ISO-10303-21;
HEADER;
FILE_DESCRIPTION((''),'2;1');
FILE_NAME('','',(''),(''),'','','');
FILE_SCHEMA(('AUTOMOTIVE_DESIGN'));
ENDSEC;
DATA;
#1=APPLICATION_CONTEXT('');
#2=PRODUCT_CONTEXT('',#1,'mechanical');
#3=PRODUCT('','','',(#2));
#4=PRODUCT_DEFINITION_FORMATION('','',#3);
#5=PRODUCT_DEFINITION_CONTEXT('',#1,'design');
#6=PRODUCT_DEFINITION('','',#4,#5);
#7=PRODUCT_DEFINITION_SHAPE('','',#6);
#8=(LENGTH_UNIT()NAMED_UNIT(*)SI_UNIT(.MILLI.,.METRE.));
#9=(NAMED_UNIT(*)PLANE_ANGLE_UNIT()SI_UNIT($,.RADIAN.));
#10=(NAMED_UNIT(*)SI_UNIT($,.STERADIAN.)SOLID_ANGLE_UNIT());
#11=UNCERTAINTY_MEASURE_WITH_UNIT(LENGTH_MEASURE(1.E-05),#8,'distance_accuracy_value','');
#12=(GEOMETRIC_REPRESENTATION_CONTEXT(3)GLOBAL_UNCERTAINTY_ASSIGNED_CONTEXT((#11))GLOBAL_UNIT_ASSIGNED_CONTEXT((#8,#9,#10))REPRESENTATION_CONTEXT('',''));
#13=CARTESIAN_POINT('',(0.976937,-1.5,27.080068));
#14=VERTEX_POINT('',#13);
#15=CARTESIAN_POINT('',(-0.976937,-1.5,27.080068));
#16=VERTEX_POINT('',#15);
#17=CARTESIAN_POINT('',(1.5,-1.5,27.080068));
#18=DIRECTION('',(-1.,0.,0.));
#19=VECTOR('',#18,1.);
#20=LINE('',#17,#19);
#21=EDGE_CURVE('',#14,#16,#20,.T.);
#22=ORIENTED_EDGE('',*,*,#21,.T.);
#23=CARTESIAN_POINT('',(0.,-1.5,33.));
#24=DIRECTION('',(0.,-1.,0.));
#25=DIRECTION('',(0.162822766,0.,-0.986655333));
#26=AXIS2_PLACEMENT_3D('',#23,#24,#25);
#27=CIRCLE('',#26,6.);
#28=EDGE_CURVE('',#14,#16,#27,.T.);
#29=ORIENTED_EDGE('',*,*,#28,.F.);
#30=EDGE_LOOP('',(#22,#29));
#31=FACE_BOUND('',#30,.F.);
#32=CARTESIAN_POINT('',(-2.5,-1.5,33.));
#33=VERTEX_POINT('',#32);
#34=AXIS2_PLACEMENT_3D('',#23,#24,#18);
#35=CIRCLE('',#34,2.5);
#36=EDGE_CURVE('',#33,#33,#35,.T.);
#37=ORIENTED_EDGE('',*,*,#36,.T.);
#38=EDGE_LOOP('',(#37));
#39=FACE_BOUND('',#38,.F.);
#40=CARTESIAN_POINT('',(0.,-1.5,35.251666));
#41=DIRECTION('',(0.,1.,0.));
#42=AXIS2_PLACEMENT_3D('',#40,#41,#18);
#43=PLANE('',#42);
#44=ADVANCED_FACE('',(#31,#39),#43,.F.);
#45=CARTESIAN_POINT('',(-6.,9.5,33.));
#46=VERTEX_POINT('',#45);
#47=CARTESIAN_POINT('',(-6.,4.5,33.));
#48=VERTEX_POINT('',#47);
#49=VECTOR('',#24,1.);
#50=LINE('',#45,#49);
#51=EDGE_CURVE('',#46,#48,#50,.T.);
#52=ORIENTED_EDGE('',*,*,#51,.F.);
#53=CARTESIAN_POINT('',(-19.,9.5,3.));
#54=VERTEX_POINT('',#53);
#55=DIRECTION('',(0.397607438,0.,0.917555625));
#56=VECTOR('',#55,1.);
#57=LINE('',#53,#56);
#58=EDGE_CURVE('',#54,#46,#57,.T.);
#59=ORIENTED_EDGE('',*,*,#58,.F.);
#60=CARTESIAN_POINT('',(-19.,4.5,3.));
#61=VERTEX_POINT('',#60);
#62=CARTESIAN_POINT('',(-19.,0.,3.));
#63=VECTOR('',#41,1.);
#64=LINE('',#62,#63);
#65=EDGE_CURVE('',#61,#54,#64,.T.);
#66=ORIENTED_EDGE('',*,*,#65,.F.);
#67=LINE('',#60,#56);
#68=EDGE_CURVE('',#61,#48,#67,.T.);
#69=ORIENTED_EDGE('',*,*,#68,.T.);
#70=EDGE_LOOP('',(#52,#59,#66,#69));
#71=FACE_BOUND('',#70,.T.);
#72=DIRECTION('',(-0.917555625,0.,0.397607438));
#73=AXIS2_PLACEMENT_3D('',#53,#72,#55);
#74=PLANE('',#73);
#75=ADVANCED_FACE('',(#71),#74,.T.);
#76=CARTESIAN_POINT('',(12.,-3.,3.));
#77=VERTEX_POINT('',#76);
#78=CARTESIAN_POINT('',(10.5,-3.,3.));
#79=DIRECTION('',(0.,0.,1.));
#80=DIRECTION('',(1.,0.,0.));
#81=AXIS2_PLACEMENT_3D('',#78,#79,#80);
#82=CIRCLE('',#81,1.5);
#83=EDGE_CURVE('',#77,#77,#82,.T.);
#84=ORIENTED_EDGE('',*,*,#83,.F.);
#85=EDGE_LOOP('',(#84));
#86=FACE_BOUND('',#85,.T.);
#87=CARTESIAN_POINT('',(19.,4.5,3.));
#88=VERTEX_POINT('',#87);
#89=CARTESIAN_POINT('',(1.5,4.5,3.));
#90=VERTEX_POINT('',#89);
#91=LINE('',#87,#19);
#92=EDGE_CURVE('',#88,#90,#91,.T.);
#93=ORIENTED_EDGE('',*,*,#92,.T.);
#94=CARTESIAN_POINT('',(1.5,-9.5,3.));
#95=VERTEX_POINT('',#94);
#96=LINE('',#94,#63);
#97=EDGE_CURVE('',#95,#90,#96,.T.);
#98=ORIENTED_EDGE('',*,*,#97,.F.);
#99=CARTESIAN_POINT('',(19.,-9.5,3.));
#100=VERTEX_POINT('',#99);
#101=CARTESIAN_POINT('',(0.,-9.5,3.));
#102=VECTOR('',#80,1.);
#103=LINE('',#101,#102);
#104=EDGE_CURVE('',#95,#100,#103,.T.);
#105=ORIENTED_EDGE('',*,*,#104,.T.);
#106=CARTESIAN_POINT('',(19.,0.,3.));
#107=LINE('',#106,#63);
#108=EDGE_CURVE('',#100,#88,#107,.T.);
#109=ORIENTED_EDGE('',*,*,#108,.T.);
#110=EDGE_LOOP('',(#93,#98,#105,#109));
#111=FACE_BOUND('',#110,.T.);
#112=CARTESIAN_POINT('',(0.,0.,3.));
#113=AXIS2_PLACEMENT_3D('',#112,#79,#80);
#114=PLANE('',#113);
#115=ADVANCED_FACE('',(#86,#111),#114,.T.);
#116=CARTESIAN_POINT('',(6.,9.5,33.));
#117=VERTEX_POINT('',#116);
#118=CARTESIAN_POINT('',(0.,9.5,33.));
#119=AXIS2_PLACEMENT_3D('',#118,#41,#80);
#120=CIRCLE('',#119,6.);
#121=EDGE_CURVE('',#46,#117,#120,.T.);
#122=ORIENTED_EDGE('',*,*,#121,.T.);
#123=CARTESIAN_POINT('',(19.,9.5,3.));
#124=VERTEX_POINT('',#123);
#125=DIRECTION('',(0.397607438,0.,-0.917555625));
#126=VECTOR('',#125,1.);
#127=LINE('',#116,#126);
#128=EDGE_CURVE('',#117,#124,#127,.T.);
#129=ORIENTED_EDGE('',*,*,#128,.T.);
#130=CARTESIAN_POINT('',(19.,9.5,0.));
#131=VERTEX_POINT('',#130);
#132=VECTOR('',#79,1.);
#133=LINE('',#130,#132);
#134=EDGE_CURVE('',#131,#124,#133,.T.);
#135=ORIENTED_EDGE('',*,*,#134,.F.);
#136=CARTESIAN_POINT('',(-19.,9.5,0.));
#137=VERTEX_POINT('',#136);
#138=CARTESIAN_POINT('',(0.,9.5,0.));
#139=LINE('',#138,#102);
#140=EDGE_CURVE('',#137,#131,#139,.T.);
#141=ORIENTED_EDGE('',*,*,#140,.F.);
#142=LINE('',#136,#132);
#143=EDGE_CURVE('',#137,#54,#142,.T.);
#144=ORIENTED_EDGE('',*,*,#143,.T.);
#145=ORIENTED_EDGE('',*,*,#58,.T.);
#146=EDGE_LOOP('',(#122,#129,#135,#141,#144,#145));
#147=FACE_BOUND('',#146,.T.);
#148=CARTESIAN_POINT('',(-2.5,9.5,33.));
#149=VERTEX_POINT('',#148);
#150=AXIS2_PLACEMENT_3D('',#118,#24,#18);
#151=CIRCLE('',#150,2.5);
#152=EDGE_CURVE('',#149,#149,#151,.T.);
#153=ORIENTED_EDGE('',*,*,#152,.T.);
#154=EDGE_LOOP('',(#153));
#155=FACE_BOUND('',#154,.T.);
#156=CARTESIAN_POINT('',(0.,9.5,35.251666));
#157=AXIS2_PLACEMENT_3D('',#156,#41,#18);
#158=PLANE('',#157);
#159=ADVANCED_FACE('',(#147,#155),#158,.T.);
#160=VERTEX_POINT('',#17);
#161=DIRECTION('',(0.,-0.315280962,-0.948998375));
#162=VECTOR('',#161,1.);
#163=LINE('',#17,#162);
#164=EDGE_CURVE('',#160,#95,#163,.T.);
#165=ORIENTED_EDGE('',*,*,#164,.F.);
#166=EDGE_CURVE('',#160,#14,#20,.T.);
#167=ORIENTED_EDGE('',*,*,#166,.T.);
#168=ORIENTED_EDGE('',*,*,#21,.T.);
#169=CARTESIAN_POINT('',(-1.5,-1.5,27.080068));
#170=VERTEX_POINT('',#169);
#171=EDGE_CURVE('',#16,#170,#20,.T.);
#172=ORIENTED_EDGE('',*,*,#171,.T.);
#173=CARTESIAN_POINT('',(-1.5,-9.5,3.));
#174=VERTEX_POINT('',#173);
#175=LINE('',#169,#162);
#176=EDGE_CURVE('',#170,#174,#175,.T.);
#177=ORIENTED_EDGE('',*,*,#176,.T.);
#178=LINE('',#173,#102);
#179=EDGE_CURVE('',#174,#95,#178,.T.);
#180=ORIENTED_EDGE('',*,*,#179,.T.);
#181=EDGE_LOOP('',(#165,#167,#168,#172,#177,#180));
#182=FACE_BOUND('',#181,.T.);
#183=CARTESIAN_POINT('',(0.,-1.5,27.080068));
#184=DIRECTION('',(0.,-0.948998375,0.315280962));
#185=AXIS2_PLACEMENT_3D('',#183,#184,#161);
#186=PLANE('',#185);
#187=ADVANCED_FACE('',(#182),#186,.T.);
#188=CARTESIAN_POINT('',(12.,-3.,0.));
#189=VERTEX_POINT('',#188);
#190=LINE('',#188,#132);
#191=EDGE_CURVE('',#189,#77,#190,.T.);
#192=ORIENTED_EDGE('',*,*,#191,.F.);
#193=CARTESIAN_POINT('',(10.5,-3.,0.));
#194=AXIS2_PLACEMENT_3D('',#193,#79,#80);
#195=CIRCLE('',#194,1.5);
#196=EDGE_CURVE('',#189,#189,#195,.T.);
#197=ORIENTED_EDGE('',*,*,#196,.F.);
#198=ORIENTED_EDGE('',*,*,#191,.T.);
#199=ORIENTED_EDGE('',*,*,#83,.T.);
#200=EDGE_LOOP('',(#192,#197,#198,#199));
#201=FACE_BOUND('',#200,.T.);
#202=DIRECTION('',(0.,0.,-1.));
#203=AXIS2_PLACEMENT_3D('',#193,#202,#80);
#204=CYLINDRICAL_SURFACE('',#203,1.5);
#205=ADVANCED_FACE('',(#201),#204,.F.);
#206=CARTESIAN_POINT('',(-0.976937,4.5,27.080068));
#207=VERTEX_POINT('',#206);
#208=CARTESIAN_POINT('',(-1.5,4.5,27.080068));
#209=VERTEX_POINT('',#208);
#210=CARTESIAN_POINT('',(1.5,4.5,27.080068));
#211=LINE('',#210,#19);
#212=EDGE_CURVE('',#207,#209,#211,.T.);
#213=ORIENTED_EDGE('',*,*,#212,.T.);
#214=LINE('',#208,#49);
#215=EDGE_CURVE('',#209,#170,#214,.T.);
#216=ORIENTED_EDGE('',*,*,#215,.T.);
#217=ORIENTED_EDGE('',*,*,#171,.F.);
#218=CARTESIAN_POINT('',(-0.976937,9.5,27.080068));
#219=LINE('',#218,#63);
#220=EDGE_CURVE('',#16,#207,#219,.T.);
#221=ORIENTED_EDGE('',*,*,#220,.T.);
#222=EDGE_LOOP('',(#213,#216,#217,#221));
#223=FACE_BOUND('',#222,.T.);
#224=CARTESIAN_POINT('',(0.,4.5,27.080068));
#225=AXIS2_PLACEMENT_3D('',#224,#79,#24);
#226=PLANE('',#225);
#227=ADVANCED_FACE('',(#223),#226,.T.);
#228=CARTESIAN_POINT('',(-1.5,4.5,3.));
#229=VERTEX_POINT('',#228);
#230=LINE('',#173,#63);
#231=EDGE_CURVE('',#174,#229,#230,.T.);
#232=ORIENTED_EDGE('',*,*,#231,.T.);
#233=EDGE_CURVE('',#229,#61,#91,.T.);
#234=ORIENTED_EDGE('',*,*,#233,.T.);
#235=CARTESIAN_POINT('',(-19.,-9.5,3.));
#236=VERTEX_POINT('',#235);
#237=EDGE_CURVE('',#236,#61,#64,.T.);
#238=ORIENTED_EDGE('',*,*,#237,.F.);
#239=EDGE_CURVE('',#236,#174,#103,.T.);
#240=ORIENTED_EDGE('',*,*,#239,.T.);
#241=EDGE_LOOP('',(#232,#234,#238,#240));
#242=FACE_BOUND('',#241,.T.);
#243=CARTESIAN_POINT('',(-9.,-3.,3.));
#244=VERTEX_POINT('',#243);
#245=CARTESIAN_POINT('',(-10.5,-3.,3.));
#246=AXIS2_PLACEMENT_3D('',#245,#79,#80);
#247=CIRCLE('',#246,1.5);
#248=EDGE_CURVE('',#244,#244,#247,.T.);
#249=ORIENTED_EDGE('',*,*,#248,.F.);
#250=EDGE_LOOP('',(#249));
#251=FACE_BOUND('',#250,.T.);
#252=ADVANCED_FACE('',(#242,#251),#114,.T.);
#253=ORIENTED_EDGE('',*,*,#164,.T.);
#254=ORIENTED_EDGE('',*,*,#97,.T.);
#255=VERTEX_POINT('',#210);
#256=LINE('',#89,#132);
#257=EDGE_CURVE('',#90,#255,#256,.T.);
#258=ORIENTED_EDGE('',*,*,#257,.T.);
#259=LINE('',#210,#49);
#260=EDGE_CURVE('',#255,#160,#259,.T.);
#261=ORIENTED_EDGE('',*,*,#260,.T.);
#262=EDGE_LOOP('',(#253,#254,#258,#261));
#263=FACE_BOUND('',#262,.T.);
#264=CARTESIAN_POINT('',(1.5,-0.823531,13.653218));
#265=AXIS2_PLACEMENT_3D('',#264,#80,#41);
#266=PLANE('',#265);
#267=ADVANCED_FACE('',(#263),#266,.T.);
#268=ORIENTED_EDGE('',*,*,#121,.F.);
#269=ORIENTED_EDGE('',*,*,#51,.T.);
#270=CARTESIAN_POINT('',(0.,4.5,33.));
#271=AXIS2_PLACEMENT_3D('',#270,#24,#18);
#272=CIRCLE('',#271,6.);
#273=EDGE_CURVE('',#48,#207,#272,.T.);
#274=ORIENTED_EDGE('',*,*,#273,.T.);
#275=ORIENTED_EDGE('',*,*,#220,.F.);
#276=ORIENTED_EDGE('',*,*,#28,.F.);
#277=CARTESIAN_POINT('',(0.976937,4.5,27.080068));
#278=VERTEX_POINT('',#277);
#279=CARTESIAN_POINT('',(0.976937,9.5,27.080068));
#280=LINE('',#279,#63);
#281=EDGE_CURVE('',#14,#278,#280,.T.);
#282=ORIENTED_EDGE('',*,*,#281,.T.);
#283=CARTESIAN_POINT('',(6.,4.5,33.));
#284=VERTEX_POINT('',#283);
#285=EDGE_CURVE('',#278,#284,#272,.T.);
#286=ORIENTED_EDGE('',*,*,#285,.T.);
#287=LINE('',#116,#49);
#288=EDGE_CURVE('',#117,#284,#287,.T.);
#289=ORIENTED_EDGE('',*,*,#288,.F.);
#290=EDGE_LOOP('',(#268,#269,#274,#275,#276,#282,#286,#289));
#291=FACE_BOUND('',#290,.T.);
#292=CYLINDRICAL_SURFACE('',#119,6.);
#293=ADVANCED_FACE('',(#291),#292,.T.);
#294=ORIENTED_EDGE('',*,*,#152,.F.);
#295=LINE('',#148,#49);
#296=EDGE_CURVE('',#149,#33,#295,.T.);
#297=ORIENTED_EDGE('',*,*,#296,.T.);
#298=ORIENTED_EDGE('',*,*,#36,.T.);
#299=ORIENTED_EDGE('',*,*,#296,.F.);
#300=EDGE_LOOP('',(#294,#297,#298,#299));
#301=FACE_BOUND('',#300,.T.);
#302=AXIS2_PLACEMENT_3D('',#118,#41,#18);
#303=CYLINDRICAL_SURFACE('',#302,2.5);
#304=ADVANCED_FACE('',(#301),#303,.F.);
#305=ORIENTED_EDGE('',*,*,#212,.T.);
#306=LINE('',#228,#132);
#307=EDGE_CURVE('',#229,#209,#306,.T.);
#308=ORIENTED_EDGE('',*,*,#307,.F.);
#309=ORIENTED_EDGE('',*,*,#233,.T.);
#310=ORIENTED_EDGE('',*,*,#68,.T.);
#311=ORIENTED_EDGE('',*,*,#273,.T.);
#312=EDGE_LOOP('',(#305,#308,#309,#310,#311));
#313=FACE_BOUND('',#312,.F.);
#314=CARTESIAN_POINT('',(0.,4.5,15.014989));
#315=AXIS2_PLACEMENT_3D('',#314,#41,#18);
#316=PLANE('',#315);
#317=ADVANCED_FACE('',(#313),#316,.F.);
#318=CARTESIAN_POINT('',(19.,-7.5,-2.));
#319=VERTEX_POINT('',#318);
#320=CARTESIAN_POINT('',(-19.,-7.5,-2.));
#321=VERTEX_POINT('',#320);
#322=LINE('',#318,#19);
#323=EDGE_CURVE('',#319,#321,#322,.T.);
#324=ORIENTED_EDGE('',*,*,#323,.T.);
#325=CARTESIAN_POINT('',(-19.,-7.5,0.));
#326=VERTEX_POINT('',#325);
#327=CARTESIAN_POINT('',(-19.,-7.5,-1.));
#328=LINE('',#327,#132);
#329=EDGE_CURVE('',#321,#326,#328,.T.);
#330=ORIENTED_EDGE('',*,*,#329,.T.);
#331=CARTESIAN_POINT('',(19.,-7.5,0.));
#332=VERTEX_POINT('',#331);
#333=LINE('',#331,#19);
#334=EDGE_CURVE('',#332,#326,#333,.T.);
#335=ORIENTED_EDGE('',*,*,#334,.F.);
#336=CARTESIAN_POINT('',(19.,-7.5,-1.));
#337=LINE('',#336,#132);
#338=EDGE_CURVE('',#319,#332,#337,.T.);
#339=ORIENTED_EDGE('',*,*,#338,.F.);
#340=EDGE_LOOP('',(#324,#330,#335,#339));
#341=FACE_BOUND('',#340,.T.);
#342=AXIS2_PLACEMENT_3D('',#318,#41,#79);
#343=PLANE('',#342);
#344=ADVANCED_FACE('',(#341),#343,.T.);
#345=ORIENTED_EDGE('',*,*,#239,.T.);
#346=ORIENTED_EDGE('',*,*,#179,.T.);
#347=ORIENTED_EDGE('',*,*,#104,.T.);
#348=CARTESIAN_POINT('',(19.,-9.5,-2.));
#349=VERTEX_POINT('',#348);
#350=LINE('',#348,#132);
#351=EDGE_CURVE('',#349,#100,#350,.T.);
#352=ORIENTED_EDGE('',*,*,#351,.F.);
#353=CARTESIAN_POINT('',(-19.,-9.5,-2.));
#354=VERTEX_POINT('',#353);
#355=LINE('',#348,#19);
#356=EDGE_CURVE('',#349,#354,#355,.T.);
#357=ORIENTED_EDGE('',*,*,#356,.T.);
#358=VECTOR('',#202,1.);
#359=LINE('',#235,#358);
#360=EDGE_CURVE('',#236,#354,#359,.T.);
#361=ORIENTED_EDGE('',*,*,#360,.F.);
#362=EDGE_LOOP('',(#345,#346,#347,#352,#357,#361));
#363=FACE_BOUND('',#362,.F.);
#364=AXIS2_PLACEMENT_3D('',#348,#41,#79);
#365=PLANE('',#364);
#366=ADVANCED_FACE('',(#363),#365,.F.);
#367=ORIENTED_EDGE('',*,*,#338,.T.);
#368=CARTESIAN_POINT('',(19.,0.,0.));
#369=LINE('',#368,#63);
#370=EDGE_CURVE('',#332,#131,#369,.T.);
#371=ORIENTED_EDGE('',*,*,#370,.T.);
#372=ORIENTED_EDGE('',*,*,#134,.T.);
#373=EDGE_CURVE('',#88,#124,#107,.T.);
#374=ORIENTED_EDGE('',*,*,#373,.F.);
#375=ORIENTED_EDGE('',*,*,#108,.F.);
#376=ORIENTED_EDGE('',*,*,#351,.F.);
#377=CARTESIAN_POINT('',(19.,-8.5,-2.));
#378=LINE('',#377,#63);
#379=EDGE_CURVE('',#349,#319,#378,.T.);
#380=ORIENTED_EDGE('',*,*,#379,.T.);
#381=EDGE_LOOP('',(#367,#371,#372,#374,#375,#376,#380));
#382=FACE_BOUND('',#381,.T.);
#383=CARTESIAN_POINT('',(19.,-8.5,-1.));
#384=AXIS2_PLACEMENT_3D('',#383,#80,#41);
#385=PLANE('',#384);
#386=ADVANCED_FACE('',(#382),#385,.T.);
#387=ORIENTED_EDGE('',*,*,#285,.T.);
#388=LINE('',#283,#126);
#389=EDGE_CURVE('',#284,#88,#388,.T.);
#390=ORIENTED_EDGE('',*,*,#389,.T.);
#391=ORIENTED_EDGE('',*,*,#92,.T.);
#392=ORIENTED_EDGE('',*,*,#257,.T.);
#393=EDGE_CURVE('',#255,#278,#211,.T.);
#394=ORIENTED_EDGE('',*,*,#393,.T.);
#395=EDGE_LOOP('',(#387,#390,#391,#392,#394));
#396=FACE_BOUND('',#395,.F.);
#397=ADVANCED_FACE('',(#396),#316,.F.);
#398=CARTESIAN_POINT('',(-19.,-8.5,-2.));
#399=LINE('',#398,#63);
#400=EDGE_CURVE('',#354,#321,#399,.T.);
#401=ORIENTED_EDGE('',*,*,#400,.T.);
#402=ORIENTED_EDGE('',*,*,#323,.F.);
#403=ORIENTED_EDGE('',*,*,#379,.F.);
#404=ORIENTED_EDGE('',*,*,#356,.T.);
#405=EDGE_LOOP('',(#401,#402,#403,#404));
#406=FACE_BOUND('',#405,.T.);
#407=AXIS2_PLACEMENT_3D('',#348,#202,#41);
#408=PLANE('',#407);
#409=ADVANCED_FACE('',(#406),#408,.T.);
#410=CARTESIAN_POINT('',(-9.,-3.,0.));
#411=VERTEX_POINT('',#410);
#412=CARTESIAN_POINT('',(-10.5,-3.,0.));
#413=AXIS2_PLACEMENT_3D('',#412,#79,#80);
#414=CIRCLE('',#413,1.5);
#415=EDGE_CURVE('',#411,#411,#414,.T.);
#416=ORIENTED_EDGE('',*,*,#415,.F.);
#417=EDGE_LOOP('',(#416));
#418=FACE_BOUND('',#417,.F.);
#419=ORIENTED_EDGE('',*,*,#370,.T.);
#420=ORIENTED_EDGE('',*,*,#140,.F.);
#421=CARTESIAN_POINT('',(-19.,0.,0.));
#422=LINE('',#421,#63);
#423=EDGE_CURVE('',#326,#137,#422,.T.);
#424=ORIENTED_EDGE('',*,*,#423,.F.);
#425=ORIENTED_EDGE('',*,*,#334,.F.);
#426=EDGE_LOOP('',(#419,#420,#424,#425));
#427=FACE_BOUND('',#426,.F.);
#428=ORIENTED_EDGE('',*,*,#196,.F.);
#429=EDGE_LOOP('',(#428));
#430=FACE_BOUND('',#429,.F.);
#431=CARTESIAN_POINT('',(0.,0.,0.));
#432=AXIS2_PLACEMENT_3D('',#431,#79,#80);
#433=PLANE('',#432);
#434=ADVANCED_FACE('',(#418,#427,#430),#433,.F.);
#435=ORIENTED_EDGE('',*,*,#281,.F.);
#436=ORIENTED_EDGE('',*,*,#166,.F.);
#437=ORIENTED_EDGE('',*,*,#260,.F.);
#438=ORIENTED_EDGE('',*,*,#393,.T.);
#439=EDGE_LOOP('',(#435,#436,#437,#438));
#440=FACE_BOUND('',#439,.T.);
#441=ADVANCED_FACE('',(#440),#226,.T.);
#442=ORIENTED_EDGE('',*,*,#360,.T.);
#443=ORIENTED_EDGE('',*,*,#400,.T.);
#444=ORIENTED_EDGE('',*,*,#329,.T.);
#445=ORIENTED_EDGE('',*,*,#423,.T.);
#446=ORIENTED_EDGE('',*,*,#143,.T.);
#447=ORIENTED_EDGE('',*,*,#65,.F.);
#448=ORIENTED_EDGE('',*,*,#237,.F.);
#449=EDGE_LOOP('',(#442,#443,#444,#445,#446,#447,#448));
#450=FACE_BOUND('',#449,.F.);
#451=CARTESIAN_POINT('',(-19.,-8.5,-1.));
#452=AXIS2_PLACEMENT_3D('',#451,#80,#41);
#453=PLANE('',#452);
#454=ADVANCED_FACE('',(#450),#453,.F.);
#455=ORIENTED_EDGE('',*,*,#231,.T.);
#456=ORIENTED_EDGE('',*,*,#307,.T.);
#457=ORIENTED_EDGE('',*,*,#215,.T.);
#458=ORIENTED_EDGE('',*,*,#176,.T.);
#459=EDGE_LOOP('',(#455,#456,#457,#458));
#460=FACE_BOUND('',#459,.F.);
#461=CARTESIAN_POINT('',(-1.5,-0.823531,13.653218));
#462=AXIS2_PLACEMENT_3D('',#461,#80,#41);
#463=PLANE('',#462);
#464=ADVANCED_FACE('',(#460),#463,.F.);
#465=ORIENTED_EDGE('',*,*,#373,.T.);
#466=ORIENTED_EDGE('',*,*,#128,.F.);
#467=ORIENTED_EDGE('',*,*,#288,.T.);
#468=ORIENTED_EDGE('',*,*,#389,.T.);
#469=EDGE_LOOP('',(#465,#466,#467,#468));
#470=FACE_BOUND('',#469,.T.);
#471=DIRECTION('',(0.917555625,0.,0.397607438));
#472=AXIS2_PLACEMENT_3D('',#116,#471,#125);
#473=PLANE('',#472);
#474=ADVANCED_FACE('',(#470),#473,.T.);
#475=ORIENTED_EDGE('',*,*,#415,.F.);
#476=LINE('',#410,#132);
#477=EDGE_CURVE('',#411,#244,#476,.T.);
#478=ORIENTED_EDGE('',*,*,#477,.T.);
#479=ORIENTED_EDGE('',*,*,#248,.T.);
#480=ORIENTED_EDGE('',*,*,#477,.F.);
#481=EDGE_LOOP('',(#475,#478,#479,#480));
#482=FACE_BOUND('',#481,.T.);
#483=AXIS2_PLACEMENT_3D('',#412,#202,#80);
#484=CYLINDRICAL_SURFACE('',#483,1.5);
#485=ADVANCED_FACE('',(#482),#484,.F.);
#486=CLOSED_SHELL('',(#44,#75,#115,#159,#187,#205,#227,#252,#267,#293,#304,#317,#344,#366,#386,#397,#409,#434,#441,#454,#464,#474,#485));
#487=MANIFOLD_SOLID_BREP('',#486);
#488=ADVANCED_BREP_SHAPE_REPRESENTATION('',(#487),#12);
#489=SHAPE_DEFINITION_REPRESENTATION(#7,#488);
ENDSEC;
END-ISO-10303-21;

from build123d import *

# Parameters (mm, degrees)
F0_W     = 38
F0_H     = 19
F0_R     = 1.5
F1_DEPTH = 3
F2_W     = 2
F2_H     = 2
F3_DEPTH = 38
F5_DEPTH = 5
F6_DEPTH = 11
F8_DEPTH = 1.5


with BuildPart() as f1:
    # F0 (on Top) → F1 (new body)
    with BuildSketch(Plane.XY):
        Rectangle(F0_W, F0_H)
        with Locations((-10.5, -3)):
            Circle(F0_R, mode=Mode.SUBTRACT)
        with Locations((10.5, -3)):
            Circle(F0_R, mode=Mode.SUBTRACT)
    extrude(amount=F1_DEPTH)

    # F2 (on face) → F3 (join)
    with BuildSketch(Plane.YZ.offset(19)):
        with Locations((-8.5, -1)):
            Rectangle(F2_W, F2_H)
    extrude(amount=-F3_DEPTH)

    # F4 (on face) → F5 (join)
    with BuildSketch(Plane(origin=(0, 9.5, 0), x_dir=(-1, 0, 0), z_dir=(0, 1, 0))):
        with BuildLine():
            Line((19, 3), (6, 33))
            ThreePointArc((6, 33), (0, 27), (-6, 33))
            Line((-6, 33), (-19, 3))
            Line((-19, 3), (19, 3))
        make_face()
    extrude(amount=-F5_DEPTH)

    # F4 (on face) → F6 (join)
    with BuildSketch(Plane(origin=(0, 9.5, 0), x_dir=(-1, 0, 0), z_dir=(0, 1, 0))):
        with BuildLine():
            ThreePointArc((-2.5, 33), (0, 35.5), (2.5, 33))
            Line((2.5, 33), (6, 33))
            ThreePointArc((6, 33), (0, 39), (-6, 33))
            Line((-6, 33), (-2.5, 33))
        make_face()
        with BuildLine():
            Line((6, 33), (2.5, 33))
            ThreePointArc((2.5, 33), (0, 30.5), (-2.5, 33))
            Line((-2.5, 33), (-6, 33))
            ThreePointArc((-6, 33), (0, 27), (6, 33))
        make_face()
    extrude(amount=-F6_DEPTH)

    # F7 (on Right) → F8 (join, symmetric)
    with BuildSketch(Plane.YZ):
        Polygon((-1.5, 27.080068), (-9.5, 3), (4.5, 3), (4.5, 27.080068), align=None)
    extrude(amount=F8_DEPTH, both=True)


solid = f1.part
